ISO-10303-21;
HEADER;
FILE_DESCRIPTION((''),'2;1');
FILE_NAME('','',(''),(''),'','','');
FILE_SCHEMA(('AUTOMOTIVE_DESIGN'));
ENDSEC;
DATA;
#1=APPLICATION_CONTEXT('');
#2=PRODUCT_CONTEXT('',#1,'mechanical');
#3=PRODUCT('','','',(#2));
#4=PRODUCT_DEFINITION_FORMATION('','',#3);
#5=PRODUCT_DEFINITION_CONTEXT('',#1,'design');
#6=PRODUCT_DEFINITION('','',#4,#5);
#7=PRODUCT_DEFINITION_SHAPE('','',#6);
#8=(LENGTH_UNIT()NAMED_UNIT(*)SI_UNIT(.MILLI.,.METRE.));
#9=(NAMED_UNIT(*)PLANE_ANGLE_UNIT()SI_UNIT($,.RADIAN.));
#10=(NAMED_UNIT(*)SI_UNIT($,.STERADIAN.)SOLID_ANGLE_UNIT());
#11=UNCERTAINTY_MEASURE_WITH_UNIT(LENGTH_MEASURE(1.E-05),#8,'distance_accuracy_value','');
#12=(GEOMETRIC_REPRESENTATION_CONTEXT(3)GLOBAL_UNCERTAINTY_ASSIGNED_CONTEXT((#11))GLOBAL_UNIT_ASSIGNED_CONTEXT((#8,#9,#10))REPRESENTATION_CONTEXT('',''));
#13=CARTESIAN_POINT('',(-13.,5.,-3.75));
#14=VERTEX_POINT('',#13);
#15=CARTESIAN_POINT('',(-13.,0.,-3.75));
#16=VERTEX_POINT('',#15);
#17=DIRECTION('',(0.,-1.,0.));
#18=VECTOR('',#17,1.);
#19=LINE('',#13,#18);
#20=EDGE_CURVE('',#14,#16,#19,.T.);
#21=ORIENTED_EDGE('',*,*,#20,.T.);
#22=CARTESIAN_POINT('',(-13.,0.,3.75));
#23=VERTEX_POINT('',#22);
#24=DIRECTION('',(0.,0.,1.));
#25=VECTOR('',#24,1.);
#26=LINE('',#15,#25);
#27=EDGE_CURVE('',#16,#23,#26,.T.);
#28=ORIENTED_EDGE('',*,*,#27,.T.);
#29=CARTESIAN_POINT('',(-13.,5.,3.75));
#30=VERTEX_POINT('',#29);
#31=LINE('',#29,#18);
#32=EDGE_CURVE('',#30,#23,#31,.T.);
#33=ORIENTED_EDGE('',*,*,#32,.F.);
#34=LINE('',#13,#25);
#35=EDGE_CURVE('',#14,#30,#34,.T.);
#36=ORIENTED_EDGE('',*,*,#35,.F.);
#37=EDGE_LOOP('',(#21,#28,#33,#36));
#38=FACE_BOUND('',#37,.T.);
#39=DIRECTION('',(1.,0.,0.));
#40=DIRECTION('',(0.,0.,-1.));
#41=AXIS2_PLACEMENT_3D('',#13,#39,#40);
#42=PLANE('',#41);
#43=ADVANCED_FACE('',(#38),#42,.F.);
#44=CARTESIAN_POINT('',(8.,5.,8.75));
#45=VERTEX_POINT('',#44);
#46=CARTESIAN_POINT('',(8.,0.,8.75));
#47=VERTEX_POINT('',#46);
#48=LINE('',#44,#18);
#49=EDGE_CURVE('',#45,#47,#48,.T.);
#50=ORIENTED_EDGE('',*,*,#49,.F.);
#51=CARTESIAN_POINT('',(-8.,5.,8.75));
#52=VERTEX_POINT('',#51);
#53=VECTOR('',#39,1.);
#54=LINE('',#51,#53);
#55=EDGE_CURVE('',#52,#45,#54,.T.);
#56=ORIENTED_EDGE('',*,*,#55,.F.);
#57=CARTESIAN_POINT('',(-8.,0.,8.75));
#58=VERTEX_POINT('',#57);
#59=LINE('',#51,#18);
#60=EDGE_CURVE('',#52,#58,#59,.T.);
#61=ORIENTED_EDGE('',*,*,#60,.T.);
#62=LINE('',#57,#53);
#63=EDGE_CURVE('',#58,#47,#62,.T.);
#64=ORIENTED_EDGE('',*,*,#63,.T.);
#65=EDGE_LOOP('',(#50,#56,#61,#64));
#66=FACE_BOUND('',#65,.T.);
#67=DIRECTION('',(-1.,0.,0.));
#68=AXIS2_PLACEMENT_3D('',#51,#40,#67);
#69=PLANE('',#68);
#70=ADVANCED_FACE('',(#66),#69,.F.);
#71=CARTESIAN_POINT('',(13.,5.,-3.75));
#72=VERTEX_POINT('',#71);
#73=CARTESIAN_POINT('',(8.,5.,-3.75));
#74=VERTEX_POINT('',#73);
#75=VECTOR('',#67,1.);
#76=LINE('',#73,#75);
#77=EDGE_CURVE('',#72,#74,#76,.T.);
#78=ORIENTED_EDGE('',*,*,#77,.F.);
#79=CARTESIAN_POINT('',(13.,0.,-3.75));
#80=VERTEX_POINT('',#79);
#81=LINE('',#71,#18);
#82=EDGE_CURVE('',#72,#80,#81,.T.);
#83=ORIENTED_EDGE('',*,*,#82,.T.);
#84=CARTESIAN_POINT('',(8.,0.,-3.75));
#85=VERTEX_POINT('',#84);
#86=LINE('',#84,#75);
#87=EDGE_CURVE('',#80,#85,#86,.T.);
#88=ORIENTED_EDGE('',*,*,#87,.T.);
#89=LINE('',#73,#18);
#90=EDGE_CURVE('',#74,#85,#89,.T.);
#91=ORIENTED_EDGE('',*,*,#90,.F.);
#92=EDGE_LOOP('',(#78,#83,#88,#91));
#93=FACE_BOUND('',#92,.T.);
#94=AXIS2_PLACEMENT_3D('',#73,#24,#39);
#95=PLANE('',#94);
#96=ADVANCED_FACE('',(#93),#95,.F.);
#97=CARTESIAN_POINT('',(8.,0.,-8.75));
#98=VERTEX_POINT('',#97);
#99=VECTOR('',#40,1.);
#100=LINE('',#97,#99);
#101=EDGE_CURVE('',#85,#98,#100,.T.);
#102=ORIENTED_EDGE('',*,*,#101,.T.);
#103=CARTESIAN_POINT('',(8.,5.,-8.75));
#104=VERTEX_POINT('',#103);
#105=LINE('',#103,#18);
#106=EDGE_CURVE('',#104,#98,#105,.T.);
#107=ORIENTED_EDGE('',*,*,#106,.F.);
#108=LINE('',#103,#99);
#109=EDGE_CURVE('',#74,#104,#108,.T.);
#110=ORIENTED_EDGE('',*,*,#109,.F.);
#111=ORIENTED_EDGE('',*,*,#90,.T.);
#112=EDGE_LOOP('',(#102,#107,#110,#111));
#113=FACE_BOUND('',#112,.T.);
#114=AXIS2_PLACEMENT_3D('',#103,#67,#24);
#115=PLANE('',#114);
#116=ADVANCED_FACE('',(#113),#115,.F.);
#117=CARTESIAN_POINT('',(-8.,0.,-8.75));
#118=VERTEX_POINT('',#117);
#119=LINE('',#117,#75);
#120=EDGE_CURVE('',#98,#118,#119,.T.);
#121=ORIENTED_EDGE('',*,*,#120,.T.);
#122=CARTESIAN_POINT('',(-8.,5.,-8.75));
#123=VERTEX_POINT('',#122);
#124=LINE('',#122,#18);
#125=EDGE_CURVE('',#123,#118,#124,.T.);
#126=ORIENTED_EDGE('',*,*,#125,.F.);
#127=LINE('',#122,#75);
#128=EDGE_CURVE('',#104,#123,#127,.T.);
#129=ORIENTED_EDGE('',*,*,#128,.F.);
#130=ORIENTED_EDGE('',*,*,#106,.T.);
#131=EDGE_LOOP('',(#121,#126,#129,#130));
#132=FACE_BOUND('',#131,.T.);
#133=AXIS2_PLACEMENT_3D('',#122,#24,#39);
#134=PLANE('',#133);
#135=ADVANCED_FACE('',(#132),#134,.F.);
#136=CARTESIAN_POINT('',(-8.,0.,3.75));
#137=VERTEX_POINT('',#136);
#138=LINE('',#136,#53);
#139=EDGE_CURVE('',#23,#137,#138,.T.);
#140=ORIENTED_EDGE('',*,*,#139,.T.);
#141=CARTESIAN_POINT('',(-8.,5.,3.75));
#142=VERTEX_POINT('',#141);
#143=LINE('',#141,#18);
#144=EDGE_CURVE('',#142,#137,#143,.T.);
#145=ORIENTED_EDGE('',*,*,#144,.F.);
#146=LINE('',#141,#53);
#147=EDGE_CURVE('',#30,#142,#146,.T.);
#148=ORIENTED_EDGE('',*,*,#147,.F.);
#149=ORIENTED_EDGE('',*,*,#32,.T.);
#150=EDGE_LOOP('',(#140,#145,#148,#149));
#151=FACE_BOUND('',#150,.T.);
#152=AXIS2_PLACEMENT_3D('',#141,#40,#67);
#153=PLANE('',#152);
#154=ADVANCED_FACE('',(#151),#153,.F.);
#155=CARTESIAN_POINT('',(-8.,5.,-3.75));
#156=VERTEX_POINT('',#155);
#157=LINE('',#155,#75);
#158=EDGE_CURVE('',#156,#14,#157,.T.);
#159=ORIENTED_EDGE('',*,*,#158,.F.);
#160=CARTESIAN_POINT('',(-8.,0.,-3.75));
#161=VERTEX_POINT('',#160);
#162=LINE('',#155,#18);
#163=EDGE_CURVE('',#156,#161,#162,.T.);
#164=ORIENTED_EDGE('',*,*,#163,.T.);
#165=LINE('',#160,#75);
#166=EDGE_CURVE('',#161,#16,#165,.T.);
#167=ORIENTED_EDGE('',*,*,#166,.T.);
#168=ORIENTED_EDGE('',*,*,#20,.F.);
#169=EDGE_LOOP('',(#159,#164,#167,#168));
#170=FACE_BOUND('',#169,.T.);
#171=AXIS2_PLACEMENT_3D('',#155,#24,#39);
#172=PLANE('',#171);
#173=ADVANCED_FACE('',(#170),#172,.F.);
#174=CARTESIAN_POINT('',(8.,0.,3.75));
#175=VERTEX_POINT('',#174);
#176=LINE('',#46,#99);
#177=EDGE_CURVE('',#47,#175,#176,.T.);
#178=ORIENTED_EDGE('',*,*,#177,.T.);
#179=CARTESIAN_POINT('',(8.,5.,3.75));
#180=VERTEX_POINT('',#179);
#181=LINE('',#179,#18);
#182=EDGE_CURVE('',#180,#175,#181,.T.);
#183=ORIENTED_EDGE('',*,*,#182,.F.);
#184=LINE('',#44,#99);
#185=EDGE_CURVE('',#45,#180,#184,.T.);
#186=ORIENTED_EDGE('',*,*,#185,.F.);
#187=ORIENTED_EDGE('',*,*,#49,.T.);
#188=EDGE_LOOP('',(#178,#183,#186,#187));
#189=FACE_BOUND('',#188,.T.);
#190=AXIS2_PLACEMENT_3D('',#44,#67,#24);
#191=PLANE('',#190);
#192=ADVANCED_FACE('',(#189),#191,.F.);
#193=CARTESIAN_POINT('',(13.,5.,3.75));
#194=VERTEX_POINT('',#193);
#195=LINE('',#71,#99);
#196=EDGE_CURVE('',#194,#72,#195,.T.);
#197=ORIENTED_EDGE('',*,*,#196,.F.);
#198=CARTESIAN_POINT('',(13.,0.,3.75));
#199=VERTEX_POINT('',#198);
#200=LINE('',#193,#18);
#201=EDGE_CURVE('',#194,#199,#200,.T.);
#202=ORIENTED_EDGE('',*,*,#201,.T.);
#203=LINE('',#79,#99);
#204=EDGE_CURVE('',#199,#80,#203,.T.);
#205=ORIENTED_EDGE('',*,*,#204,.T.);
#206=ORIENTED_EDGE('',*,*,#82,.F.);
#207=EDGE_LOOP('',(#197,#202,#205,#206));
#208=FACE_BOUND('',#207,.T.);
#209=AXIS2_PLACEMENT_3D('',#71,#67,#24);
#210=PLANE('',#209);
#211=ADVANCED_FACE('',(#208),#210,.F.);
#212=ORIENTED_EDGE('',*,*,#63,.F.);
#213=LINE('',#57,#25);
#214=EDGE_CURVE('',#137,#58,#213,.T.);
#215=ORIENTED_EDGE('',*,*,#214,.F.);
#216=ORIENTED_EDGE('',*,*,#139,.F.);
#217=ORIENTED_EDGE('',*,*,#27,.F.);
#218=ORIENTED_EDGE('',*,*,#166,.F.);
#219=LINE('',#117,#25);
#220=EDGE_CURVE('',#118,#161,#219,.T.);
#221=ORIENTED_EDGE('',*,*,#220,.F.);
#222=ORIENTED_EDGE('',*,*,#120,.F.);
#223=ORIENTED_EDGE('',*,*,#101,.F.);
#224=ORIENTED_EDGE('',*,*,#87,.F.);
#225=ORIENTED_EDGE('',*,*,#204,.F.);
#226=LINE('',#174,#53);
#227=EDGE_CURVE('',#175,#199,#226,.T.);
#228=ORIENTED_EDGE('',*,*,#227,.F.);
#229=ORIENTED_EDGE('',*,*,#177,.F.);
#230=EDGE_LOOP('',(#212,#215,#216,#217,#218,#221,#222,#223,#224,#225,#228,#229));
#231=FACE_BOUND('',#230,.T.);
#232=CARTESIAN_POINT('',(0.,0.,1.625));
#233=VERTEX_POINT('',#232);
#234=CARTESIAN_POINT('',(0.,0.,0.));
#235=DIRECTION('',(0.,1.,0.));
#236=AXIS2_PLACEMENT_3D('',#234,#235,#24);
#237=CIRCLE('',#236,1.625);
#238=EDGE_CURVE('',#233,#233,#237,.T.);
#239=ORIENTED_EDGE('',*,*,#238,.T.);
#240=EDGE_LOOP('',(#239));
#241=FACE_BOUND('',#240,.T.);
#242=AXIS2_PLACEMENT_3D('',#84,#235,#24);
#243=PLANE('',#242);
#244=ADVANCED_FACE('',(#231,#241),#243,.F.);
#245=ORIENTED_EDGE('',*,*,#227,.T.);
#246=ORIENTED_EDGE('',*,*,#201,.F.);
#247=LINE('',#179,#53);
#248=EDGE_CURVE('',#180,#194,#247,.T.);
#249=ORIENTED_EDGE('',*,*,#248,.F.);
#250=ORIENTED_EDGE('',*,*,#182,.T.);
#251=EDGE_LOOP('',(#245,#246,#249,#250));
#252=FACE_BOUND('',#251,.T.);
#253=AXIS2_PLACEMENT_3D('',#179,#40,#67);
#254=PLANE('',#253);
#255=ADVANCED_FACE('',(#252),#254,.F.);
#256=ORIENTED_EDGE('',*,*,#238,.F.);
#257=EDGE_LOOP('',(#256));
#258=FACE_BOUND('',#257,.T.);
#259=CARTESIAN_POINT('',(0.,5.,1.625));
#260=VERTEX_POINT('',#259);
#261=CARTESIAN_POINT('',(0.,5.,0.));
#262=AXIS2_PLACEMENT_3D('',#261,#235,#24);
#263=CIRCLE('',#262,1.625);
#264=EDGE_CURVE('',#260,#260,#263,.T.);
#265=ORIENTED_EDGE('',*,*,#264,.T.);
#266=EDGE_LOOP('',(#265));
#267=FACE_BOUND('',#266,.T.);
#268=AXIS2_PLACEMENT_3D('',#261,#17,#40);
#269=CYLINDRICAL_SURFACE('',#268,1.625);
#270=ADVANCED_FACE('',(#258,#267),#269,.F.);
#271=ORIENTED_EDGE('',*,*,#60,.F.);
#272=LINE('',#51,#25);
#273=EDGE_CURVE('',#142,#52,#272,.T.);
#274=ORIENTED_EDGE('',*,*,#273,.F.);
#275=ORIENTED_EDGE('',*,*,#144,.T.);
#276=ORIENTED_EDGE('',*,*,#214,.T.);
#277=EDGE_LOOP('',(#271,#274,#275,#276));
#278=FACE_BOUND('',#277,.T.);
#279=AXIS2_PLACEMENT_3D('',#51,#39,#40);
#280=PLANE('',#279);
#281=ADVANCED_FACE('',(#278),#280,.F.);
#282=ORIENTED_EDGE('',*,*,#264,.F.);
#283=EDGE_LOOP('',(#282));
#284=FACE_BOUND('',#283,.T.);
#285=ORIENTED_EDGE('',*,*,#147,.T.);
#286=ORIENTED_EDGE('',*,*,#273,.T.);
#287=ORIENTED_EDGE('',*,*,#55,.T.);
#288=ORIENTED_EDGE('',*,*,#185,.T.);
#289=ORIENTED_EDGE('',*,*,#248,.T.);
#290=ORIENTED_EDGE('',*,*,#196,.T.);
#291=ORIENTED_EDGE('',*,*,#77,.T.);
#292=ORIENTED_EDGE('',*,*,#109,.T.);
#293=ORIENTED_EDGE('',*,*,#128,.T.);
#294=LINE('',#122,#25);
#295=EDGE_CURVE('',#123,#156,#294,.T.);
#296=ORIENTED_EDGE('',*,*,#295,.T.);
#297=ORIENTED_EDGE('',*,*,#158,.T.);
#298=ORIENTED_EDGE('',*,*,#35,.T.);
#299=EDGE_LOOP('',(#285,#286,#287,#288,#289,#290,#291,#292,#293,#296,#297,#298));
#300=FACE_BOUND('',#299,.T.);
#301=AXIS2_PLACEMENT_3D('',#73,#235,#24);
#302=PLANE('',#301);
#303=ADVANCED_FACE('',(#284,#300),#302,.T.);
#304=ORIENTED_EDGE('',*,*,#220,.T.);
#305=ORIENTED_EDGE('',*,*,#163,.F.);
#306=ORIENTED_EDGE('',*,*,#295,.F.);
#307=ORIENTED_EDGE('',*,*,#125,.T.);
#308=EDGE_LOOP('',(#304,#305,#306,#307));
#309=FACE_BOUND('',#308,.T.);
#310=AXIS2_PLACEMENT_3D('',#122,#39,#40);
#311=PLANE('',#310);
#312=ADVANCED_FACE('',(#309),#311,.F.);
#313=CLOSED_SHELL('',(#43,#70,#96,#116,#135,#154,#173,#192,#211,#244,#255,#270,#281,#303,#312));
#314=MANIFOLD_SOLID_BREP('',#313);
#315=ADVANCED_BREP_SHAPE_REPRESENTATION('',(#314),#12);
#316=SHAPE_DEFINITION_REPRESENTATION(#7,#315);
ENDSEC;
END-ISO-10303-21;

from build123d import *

# Parameters (mm, degrees)
SKETCH1_R           = 1.625
BOSS_EXTRUDE1_DEPTH = 5


with BuildPart() as part:
    # Sketch1 → Boss-Extrude1 (new body)
    with BuildSketch(Plane(origin=(0, 0, 0), x_dir=(1, 0, 0), z_dir=(0, 1, 0))):
        Polygon((-8, 8.75), (8, 8.75), (8, 3.75), (13, 3.75), (13, -3.75), (8, -3.75), (8, -8.75), (-8, -8.75), (-8, -3.75), (-13, -3.75), (-13, 3.75), (-8, 3.75), align=None)
        Circle(SKETCH1_R, mode=Mode.SUBTRACT)
    extrude(amount=BOSS_EXTRUDE1_DEPTH)


solid = part.part
